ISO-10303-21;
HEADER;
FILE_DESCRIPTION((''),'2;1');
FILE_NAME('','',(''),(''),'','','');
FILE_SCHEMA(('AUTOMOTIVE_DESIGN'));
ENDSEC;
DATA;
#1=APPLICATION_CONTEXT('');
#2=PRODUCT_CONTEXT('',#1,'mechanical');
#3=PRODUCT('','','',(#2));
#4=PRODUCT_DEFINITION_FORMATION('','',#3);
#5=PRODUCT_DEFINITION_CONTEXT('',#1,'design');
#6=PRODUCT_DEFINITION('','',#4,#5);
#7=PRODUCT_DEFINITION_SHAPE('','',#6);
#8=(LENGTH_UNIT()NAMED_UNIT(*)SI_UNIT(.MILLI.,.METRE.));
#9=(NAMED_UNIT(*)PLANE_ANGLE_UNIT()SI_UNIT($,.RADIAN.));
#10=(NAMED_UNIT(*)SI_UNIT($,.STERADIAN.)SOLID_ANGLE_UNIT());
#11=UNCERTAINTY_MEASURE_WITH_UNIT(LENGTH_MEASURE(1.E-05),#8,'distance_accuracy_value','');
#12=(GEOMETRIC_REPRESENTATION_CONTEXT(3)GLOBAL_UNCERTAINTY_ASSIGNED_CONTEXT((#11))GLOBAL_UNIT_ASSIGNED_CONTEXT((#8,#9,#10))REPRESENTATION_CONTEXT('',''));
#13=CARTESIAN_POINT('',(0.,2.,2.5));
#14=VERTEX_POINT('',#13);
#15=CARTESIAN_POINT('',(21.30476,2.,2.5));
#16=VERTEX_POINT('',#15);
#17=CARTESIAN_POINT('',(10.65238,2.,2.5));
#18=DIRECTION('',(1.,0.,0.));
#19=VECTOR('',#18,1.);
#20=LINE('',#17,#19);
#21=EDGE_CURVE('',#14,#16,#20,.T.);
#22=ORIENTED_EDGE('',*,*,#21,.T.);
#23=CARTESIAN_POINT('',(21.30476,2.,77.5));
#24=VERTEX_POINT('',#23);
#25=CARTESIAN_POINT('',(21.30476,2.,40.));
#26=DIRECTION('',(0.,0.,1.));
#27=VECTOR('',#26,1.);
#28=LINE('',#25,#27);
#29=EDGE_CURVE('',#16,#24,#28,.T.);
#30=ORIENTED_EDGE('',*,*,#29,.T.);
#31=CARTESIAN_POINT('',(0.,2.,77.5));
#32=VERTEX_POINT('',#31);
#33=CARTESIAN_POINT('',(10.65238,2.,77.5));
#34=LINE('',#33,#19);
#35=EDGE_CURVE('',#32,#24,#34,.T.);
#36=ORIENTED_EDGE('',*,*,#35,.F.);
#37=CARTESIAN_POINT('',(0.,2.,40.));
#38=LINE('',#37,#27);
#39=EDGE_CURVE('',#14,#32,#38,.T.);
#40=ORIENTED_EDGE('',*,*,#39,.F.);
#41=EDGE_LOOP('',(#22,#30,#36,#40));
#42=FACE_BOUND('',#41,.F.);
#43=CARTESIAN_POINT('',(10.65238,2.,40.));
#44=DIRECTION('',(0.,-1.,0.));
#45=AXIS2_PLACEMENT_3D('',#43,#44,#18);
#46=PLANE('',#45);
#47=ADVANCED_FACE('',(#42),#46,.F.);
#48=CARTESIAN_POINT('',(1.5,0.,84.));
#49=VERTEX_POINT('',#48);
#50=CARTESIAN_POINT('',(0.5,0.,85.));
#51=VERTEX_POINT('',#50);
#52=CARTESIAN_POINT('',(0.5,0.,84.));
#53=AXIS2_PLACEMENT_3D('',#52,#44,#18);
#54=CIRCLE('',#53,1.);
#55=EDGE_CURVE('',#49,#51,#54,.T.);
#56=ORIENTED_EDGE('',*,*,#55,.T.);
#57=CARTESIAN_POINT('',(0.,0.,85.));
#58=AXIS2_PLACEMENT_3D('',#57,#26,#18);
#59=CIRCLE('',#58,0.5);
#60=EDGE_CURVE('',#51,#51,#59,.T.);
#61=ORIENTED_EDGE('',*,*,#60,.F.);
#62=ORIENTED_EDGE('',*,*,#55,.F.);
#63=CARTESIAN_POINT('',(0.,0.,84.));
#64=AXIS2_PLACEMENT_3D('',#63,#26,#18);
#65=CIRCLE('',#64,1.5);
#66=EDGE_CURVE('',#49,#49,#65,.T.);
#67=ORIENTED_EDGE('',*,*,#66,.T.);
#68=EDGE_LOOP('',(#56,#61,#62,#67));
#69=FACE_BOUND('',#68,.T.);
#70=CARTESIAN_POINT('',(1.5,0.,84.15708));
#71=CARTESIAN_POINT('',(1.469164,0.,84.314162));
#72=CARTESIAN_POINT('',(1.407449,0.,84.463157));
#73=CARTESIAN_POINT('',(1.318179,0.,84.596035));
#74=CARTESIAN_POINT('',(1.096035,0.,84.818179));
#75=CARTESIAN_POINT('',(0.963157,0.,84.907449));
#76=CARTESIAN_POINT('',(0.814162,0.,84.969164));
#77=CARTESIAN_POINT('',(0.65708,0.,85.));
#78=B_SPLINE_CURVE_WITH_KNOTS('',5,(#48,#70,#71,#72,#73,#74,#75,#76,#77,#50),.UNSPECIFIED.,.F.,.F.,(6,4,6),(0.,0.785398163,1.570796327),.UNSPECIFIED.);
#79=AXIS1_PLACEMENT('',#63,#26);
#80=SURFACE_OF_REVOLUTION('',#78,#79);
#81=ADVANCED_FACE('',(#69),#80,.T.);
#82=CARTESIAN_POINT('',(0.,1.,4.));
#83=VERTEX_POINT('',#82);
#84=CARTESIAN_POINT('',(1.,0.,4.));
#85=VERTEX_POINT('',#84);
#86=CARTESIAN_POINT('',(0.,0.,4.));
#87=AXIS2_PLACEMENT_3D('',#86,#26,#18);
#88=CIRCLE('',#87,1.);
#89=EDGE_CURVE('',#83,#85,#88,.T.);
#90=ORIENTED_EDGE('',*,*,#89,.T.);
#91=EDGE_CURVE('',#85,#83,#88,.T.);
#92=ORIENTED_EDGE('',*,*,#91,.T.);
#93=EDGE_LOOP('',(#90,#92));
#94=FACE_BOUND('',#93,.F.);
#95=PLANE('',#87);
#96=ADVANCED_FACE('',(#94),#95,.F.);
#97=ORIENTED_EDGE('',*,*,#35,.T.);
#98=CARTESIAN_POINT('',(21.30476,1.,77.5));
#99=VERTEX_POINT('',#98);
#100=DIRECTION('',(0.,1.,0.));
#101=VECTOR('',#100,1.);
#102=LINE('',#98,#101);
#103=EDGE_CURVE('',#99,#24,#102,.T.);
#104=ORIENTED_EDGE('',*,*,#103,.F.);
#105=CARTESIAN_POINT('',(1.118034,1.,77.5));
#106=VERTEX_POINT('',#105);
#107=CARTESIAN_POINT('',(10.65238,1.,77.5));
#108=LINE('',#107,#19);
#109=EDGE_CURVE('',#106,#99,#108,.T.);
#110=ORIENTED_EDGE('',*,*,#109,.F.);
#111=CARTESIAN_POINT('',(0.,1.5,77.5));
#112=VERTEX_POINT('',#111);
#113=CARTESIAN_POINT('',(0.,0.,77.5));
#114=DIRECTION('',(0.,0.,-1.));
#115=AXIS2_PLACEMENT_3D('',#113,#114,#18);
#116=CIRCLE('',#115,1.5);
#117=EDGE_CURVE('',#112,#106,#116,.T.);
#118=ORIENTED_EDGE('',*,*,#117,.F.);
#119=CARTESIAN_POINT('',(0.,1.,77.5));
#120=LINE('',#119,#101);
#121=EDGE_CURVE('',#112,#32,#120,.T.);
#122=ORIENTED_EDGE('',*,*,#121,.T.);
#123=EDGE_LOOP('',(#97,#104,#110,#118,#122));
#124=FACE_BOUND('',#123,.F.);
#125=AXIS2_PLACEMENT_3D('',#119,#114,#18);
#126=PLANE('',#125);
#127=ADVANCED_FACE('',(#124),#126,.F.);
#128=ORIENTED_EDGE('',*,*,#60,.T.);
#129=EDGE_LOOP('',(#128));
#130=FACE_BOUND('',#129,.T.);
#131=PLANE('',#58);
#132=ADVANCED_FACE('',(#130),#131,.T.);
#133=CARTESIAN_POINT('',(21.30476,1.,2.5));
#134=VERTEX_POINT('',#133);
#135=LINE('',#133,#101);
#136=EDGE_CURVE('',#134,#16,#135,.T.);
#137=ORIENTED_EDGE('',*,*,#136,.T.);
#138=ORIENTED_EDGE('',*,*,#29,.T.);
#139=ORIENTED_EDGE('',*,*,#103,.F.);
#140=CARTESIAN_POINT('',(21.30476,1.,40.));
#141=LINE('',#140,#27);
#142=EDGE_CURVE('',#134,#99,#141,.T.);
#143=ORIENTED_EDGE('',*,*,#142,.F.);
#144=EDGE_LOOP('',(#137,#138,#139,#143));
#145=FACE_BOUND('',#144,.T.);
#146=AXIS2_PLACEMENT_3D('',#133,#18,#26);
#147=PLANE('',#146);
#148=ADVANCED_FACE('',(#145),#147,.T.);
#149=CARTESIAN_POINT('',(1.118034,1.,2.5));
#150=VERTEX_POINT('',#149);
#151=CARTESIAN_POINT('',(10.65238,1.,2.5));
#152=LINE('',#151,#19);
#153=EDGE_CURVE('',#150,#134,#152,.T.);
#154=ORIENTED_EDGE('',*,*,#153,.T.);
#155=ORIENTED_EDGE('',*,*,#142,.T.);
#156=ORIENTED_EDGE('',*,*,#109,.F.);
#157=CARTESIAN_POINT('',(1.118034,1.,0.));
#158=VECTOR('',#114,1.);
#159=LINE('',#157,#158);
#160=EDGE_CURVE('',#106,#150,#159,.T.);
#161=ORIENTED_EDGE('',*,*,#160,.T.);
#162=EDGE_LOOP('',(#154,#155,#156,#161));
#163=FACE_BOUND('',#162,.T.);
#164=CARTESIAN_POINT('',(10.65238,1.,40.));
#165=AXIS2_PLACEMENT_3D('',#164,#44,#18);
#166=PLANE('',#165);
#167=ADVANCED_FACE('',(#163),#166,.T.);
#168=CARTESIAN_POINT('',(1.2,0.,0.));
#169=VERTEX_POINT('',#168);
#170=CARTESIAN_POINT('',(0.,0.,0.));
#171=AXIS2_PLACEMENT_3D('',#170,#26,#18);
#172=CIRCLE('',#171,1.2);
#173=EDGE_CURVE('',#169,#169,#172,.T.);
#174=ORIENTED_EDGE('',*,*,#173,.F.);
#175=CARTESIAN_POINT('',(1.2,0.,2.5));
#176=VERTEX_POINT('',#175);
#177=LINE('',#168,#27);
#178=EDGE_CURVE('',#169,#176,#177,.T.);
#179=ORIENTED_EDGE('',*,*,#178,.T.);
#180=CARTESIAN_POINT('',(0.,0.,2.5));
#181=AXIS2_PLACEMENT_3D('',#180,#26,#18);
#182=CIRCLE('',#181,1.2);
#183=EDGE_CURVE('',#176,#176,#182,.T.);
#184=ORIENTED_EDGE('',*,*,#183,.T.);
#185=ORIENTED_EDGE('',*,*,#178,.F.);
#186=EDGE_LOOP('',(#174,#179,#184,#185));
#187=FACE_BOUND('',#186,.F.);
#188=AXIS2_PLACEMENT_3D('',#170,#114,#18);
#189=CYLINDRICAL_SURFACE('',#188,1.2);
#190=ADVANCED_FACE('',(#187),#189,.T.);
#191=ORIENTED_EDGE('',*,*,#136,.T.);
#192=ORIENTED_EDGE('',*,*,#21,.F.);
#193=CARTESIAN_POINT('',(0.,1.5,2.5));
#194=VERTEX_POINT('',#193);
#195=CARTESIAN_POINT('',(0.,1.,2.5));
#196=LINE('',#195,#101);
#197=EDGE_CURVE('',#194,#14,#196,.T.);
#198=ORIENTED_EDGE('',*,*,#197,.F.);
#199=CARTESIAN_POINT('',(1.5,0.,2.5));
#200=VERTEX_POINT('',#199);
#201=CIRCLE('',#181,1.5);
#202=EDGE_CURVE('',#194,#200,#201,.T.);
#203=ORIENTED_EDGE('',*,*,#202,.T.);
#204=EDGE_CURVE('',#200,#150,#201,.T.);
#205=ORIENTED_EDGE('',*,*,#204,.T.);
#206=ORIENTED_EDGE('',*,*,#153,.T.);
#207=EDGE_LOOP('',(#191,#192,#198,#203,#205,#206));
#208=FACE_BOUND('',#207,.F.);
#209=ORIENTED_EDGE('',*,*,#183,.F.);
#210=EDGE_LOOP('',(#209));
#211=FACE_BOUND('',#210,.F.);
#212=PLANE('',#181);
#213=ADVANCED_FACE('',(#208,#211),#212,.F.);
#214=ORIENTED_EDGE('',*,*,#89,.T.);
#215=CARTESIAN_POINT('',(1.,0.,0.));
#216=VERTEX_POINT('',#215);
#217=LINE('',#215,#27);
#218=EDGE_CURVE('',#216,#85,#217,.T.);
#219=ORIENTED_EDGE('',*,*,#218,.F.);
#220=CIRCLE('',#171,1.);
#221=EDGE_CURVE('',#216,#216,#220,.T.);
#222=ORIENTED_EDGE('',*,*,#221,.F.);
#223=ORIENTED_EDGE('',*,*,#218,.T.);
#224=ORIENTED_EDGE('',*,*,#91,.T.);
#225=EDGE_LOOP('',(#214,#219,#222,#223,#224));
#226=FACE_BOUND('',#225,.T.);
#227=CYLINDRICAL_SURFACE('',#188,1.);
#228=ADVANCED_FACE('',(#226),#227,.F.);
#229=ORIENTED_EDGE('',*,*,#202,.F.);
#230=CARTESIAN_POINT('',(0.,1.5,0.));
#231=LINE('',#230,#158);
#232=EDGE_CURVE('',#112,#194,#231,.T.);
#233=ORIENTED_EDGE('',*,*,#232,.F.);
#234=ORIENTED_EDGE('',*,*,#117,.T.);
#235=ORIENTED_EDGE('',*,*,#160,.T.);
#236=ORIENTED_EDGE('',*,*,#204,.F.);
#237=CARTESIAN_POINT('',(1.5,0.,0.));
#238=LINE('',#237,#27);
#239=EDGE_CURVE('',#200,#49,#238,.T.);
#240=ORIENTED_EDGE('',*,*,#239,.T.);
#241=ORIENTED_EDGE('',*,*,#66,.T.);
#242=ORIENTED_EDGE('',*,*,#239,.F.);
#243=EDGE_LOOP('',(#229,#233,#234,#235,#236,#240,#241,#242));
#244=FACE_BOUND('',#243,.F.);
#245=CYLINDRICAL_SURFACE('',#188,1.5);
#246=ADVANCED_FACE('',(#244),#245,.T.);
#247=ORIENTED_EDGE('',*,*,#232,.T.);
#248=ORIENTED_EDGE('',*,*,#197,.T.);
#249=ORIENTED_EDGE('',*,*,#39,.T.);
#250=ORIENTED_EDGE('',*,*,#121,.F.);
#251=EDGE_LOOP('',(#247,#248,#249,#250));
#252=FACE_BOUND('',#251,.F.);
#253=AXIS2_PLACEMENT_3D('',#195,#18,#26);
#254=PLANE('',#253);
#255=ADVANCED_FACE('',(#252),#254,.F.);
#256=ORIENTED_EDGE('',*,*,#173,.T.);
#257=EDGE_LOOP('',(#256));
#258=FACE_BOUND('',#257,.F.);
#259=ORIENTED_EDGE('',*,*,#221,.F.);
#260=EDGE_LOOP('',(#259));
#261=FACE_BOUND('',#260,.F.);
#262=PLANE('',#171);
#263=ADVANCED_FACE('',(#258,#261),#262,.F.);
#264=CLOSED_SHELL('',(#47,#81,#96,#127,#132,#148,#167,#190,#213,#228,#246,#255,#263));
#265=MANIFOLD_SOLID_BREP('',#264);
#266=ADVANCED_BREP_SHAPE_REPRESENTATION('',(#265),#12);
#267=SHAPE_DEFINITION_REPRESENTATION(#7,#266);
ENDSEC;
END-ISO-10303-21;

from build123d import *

# Parameters (mm, degrees)
F0_R     = 1.5
F0_R_2   = 1.2
F0_R_3   = 1
F1_DEPTH = 85
F2_DEPTH = 2.5
F3_DEPTH = 4
F4_R     = 1
F6_START = -1
F5_W     = 21.3047601283
F5_H     = 75
F6_DEPTH = 1


with BuildPart() as f1:
    # F0 (on Top) → F1 (new body)
    with BuildSketch(Plane.XY):
        Circle(F0_R)
        Circle(F0_R_2, mode=Mode.SUBTRACT)
        Circle(F0_R_2)
        Circle(F0_R_3, mode=Mode.SUBTRACT)
        Circle(F0_R_3)
    extrude(amount=F1_DEPTH)

    # F0 (on Top) → F2 (cut)
    with BuildSketch(Plane.XY):
        Circle(F0_R)
        Circle(F0_R_2, mode=Mode.SUBTRACT)
    extrude(amount=F2_DEPTH, mode=Mode.SUBTRACT)

    # F0 (on Top) → F3 (cut)
    with BuildSketch(Plane.XY):
        Circle(F0_R_3)
    extrude(amount=F3_DEPTH, mode=Mode.SUBTRACT)

    # F4
    f4_edges = [f1.edges().sort_by_distance(p)[0] for p in [
        (-1.5, 0, 85),
    ]]
    fillet(f4_edges, radius=F4_R)

    # F5 (on Front) → F6 (join)
    with BuildSketch(Plane.XZ.offset(F6_START)):
        with Locations((10.6523800641, 40)):
            Rectangle(F5_W, F5_H)
    extrude(amount=-F6_DEPTH)


solid = f1.part
